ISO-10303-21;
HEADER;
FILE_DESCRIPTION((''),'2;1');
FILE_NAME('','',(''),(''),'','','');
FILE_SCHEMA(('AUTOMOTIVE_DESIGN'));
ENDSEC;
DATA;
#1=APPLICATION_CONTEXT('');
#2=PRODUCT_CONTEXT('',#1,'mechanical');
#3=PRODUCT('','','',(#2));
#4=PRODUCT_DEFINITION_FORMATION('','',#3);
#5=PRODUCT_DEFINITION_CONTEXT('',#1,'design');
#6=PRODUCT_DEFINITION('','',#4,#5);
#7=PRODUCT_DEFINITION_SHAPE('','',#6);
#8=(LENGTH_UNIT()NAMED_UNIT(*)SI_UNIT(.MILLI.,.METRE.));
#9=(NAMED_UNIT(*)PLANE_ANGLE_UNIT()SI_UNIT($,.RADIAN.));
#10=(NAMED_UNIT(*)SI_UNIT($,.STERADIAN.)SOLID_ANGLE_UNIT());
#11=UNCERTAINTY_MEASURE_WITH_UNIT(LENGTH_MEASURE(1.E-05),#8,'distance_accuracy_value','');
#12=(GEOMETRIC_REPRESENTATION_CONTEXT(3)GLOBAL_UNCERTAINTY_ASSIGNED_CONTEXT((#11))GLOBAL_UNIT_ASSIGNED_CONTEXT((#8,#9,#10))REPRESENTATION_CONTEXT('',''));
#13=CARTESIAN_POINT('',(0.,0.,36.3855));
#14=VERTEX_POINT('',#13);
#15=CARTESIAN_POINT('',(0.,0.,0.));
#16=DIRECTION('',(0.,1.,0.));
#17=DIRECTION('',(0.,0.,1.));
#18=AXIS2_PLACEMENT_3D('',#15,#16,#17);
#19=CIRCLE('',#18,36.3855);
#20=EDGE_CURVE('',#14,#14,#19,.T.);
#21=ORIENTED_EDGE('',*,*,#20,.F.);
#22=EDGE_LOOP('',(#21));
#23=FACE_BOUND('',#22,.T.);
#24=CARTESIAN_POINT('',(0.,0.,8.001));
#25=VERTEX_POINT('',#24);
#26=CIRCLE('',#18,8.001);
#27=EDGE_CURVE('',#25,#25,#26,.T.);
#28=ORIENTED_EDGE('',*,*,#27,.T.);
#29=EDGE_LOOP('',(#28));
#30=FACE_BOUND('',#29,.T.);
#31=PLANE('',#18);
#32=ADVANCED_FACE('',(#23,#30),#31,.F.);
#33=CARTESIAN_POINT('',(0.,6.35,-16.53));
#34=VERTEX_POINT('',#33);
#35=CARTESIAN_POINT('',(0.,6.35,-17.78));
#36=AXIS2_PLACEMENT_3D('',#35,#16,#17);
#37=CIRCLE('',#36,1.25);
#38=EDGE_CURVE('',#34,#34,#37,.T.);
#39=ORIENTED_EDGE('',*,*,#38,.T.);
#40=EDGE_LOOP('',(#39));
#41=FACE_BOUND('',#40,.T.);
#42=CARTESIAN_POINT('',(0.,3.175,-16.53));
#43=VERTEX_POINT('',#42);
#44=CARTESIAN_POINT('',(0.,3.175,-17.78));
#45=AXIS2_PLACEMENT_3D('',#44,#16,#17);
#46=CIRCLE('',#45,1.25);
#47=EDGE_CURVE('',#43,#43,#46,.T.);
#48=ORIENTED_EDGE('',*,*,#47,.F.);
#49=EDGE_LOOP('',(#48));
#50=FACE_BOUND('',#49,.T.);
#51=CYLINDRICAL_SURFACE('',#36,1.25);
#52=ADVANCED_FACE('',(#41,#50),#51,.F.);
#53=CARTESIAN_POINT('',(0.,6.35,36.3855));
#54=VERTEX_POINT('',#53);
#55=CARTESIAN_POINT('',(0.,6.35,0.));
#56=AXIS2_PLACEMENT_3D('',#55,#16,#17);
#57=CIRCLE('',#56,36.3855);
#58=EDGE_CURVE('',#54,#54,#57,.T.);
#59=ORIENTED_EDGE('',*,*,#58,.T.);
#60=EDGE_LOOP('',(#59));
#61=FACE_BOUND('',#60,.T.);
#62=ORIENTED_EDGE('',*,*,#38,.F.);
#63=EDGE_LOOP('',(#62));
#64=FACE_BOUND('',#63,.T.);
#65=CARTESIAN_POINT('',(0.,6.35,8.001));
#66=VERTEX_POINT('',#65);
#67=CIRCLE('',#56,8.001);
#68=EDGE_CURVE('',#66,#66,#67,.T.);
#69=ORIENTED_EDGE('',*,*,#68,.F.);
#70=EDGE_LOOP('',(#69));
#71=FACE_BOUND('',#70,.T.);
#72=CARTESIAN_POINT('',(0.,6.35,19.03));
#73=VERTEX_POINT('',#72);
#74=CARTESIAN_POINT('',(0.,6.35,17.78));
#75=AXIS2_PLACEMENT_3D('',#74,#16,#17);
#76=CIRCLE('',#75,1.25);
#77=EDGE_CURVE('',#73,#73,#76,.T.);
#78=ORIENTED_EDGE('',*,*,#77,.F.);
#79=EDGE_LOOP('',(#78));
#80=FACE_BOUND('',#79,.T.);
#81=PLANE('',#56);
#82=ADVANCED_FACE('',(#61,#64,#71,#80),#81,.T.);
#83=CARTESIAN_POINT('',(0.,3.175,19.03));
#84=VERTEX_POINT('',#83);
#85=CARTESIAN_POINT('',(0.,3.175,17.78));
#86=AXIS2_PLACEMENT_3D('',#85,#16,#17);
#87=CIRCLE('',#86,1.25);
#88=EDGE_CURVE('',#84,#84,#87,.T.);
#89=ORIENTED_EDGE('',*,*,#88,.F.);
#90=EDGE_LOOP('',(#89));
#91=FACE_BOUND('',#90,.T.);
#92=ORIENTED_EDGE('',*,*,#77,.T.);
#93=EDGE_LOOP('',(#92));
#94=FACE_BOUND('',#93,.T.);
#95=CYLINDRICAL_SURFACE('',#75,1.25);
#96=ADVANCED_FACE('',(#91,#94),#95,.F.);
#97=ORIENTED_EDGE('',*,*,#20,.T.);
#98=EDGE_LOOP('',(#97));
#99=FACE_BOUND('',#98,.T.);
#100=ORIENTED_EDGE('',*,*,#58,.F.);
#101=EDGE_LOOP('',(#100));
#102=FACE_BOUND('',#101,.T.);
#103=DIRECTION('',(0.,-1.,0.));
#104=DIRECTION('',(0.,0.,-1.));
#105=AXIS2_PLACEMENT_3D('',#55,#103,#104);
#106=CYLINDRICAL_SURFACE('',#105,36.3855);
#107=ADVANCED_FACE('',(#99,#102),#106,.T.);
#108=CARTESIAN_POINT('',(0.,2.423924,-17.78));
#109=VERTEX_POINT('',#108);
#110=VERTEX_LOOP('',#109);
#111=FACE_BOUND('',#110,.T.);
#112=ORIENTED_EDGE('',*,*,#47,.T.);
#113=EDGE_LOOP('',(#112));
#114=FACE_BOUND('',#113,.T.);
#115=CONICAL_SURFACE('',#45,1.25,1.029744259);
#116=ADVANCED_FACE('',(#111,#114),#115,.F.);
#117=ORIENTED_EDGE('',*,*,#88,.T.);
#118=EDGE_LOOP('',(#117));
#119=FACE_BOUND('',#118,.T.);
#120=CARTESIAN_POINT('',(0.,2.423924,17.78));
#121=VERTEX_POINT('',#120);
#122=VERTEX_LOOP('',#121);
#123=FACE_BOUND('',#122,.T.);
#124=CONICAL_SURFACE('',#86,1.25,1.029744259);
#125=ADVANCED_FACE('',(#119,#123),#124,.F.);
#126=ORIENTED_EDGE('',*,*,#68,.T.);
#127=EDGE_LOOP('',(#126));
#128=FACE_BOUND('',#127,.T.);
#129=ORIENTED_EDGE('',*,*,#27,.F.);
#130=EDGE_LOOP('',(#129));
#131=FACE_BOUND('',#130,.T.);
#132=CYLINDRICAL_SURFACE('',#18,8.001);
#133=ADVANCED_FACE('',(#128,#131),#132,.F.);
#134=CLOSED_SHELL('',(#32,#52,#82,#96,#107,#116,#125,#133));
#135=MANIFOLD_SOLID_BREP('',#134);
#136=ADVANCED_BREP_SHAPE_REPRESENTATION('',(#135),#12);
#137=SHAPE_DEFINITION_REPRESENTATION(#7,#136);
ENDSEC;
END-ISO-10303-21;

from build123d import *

# Parameters (mm, degrees)
SKETCH1_R                       = 36.3855
BOSS_EXTRUDE1_DEPTH             = 6.35
TAP_DRILL_FOR_M3X0_5_TAP2_D     = 2.5
TAP_DRILL_FOR_M3X0_5_TAP2_DEPTH = 3.175
TAP_DRILL_FOR_M3X0_5_TAP2_TIP   = 0.751075774
SKETCH7_R                       = 8.001
CUT_EXTRUDE1_DEPTH              = 52.847195879


with BuildPart() as part:
    # Sketch1 → Boss-Extrude1 (new body)
    with BuildSketch(Plane(origin=(0, 0, 0), x_dir=(1, 0, 0), z_dir=(0, 1, 0))):
        with Locations(Location((0, 0, 0), (0, 0, 270))):
            Circle(SKETCH1_R)
    extrude(amount=BOSS_EXTRUDE1_DEPTH)

    # Tap Drill for M3x0.5 Tap2
    with Locations(Plane(origin=(0, 6.35, 0), x_dir=(1, 0, 0), z_dir=(0, 1, 0))):
        with Locations((0, 17.78), (0, -17.78)):
            Hole(TAP_DRILL_FOR_M3X0_5_TAP2_D / 2, depth=TAP_DRILL_FOR_M3X0_5_TAP2_DEPTH)
            with Locations((0, 0, -(TAP_DRILL_FOR_M3X0_5_TAP2_DEPTH + TAP_DRILL_FOR_M3X0_5_TAP2_TIP / 2))):  # 118° drill point
                Cone(0, TAP_DRILL_FOR_M3X0_5_TAP2_D / 2, TAP_DRILL_FOR_M3X0_5_TAP2_TIP, mode=Mode.SUBTRACT)

    # Sketch7 → Cut-Extrude1 (cut, through all)
    with BuildSketch(Plane(origin=(0, 6.35, 0), x_dir=(1, 0, 0), z_dir=(0, 1, 0))):
        with Locations(Location((0, 0, 0), (0, 0, 270))):
            Circle(SKETCH7_R)
    extrude(amount=-CUT_EXTRUDE1_DEPTH, mode=Mode.SUBTRACT)


solid = part.part
